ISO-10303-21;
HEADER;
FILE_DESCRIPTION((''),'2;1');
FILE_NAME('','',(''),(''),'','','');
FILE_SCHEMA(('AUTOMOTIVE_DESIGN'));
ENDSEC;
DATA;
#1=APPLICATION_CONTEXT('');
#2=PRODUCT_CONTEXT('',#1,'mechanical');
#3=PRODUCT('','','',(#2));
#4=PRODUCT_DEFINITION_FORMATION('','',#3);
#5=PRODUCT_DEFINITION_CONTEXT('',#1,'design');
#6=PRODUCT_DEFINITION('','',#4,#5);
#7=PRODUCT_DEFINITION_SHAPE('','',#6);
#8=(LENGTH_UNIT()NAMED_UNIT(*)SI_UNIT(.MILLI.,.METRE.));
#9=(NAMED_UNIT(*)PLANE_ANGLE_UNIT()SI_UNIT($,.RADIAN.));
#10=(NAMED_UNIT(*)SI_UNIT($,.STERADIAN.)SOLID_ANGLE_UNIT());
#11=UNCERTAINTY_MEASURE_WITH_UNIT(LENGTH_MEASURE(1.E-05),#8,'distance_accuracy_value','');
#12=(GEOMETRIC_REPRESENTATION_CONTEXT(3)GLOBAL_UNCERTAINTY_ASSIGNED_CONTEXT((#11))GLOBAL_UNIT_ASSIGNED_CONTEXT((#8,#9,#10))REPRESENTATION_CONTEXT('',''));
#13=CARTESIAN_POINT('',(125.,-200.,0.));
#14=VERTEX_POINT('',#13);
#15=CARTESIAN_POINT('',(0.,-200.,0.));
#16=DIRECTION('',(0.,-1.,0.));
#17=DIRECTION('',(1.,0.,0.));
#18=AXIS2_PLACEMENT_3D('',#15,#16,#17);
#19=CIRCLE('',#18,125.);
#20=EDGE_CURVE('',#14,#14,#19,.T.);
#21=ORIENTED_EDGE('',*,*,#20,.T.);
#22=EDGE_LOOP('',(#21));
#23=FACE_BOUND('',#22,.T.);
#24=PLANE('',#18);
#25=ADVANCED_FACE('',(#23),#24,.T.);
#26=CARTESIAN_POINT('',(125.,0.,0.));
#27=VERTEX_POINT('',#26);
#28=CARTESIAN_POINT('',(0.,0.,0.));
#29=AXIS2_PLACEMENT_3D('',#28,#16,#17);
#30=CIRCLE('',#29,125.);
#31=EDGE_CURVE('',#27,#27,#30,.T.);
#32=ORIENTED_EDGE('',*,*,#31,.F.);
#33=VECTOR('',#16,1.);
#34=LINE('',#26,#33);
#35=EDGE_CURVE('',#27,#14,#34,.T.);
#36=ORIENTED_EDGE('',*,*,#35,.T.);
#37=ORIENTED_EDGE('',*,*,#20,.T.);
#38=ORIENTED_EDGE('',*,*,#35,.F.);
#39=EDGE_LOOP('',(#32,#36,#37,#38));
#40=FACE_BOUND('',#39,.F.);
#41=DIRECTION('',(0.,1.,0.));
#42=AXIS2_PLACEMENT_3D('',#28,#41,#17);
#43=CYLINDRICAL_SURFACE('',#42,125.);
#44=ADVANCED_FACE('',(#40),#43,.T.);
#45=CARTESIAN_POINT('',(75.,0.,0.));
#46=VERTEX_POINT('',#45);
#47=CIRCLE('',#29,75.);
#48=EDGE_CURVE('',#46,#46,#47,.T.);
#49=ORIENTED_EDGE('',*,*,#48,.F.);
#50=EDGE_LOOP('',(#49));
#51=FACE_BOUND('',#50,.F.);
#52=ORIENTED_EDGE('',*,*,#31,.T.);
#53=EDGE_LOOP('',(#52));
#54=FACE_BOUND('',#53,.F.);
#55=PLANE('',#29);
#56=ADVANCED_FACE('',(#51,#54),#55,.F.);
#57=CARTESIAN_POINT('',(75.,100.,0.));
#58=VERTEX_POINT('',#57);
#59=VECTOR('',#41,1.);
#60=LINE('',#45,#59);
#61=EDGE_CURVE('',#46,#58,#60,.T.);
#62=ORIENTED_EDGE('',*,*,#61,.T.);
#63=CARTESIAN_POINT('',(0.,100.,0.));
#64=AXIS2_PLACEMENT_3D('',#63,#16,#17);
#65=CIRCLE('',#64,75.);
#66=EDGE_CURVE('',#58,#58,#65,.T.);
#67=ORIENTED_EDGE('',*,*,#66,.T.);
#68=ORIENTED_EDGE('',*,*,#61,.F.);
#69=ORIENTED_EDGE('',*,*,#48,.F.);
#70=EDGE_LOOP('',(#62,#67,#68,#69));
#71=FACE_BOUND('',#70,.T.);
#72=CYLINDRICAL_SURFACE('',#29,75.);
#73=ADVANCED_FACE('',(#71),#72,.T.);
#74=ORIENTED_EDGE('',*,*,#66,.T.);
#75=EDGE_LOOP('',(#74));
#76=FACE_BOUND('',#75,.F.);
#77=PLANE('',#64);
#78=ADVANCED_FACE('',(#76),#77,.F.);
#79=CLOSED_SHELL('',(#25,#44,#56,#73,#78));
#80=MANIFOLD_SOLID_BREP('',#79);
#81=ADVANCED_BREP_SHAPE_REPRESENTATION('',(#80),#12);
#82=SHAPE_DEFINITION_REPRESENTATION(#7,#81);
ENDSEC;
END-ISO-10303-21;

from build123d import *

# Parameters (mm, degrees)
F0_R          = 125
F1_DEPTH      = 200
F2_R          = 75
F3_DEPTH      = 25
F3_DEPTH_BACK = 100


with BuildPart() as f1:
    # F0 (on Front) → F1 (new body)
    with BuildSketch(Plane.XZ):
        Circle(F0_R)
    extrude(amount=F1_DEPTH)

    # F2 (on Front) → F3 (join, two sides)
    with BuildSketch(Plane.XZ) as f3_sk:
        Circle(F2_R)
    extrude(amount=F3_DEPTH)
    extrude(f3_sk.sketch, amount=-F3_DEPTH_BACK)


solid = f1.part
